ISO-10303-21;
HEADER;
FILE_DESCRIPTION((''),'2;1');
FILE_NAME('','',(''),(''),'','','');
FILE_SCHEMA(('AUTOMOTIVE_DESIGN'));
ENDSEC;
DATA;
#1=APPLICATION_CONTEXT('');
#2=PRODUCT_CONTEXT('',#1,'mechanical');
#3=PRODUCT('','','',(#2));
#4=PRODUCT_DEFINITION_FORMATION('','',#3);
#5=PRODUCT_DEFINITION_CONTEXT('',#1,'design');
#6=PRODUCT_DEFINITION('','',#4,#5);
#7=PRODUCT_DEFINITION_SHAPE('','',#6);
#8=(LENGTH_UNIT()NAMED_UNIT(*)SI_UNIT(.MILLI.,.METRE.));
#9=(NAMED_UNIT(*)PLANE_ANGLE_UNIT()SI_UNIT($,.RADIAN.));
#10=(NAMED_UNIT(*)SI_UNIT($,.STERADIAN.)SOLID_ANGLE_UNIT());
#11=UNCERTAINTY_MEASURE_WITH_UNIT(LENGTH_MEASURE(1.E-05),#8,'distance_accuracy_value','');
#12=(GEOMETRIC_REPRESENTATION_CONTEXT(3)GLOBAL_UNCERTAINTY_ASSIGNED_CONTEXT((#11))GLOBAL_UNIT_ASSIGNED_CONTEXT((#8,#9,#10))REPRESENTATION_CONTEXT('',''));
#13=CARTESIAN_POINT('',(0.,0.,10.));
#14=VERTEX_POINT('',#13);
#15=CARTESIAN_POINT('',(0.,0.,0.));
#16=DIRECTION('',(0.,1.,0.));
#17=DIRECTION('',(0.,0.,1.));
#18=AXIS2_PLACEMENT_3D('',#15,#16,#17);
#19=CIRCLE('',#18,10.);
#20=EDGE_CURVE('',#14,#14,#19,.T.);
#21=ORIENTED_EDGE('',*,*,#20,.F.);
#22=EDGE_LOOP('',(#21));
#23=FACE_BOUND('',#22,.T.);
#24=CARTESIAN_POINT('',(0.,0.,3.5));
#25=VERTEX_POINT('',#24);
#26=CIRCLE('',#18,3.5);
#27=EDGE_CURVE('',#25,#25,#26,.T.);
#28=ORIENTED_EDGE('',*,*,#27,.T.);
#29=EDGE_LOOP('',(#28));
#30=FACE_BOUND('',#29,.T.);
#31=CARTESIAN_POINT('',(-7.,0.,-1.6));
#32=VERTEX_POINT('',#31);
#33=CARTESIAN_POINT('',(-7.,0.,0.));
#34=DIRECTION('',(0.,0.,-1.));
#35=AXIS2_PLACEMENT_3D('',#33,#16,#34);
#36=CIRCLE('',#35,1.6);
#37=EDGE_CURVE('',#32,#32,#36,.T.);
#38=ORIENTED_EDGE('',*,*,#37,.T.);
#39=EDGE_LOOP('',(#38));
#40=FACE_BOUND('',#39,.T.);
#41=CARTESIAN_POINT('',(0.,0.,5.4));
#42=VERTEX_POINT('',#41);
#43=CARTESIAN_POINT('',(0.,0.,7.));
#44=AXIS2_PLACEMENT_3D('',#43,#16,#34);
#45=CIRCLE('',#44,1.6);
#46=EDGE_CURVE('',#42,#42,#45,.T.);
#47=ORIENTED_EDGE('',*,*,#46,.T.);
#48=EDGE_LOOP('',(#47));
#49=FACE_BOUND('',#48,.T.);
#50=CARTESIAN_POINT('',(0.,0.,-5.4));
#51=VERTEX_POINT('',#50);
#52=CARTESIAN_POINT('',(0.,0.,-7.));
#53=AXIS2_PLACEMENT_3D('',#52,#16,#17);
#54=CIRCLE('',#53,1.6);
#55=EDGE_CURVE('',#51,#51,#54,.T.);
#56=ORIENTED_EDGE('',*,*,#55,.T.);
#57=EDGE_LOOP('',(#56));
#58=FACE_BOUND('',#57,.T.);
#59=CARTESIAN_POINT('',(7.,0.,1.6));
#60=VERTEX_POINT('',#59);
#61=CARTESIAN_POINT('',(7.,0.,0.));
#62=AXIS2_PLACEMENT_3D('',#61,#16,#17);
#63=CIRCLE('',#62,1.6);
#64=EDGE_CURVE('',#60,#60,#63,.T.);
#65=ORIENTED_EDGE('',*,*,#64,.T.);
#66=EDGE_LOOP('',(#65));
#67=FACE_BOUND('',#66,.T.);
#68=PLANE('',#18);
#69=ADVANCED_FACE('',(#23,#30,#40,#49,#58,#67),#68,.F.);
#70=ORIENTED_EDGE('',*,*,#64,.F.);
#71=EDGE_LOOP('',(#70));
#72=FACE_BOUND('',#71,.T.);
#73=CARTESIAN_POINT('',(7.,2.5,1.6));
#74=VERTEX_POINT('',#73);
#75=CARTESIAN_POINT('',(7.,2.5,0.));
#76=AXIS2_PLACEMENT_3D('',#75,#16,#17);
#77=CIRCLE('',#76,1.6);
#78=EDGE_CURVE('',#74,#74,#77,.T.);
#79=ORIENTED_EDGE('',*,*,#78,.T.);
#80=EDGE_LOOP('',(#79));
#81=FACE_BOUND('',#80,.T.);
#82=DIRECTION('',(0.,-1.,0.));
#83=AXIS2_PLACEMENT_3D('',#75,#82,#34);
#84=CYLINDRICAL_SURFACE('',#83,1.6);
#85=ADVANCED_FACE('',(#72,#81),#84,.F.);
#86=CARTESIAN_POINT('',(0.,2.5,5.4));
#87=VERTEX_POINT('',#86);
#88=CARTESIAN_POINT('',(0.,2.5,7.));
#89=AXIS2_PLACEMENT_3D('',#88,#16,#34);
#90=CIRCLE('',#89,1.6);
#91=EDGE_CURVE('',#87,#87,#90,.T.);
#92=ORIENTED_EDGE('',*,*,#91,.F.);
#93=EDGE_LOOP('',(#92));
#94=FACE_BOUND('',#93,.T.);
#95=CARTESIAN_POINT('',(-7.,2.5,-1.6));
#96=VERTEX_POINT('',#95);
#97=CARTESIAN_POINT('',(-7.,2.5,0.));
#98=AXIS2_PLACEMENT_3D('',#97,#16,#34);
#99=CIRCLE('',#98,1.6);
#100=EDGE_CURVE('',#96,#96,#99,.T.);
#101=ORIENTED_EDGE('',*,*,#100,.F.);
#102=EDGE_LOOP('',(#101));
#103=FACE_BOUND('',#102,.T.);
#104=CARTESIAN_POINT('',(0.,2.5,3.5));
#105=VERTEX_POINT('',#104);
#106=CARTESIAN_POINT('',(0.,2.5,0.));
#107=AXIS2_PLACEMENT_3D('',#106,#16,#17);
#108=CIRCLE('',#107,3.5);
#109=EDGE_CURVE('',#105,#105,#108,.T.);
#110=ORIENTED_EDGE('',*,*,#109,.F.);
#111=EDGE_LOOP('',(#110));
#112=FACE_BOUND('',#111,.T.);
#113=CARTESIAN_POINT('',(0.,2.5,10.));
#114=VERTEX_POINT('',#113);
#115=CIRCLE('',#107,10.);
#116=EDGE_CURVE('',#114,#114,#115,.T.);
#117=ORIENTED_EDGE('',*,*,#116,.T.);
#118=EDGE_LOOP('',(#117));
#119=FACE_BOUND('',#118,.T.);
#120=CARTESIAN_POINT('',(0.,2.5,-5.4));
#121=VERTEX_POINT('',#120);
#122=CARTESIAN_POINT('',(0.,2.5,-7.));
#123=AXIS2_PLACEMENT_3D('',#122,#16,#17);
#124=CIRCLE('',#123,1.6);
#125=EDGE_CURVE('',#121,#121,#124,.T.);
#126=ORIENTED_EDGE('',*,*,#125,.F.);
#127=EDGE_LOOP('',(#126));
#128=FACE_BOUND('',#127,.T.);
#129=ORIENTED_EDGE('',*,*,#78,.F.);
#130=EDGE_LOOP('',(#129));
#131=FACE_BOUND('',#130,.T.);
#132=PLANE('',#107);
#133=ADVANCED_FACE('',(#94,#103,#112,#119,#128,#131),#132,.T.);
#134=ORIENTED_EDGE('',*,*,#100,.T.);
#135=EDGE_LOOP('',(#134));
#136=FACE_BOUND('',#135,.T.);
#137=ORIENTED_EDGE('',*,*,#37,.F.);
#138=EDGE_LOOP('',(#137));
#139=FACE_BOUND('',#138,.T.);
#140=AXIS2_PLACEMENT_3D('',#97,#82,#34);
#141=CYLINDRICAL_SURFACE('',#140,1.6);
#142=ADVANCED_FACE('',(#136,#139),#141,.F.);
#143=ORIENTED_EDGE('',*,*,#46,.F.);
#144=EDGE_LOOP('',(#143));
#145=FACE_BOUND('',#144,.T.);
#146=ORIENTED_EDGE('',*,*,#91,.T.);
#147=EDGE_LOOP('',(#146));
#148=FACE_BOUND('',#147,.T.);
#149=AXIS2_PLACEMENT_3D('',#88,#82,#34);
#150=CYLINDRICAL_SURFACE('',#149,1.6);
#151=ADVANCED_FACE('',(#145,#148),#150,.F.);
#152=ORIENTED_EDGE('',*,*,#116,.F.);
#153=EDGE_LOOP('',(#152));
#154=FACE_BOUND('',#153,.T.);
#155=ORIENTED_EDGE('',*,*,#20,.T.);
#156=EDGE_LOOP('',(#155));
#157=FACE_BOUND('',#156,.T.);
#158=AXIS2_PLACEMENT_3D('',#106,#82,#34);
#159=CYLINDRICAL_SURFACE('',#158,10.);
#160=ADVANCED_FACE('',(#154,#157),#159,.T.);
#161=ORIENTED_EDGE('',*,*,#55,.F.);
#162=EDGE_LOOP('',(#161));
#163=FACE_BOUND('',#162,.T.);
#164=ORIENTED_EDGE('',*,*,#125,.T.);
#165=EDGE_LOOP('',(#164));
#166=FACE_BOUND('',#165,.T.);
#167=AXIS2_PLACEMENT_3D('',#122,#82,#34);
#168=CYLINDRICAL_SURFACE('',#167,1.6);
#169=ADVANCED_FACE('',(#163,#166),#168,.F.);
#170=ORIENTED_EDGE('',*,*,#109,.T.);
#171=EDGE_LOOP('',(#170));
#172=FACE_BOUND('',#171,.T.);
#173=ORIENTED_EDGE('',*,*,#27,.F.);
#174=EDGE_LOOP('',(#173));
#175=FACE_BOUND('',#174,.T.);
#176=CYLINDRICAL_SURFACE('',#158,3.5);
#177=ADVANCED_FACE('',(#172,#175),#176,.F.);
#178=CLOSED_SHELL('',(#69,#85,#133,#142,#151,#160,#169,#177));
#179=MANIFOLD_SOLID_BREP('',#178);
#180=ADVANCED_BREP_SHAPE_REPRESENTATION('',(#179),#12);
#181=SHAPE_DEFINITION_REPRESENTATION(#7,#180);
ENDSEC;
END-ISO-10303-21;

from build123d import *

# Parameters (mm, degrees)
SKETCH_1_R      = 10
SKETCH_1_R_2    = 1.6
SKETCH_1_R_3    = 3.5
EXTRUDE_1_DEPTH = 2.5


with BuildPart() as part:
    # 草图1 → 凸台-拉伸1 (new body)
    with BuildSketch(Plane(origin=(0, 0, 0), x_dir=(1, 0, 0), z_dir=(0, 1, 0))):
        with Locations(Location((0, 0, 0), (0, 0, 270))):
            Circle(SKETCH_1_R)
        with Locations(Location((0, 7, 0), (0, 0, 270))):
            Circle(SKETCH_1_R_2, mode=Mode.SUBTRACT)
        with Locations(Location((7, 0, 0), (0, 0, 270))):
            Circle(SKETCH_1_R_2, mode=Mode.SUBTRACT)
        with Locations(Location((0, 0, 0), (0, 0, 270))):
            Circle(SKETCH_1_R_3, mode=Mode.SUBTRACT)
        with Locations(Location((0, -7, 0), (0, 0, 90))):
            Circle(SKETCH_1_R_2, mode=Mode.SUBTRACT)
        with Locations(Location((-7, 0, 0), (0, 0, 90))):
            Circle(SKETCH_1_R_2, mode=Mode.SUBTRACT)
    extrude(amount=EXTRUDE_1_DEPTH)


solid = part.part
